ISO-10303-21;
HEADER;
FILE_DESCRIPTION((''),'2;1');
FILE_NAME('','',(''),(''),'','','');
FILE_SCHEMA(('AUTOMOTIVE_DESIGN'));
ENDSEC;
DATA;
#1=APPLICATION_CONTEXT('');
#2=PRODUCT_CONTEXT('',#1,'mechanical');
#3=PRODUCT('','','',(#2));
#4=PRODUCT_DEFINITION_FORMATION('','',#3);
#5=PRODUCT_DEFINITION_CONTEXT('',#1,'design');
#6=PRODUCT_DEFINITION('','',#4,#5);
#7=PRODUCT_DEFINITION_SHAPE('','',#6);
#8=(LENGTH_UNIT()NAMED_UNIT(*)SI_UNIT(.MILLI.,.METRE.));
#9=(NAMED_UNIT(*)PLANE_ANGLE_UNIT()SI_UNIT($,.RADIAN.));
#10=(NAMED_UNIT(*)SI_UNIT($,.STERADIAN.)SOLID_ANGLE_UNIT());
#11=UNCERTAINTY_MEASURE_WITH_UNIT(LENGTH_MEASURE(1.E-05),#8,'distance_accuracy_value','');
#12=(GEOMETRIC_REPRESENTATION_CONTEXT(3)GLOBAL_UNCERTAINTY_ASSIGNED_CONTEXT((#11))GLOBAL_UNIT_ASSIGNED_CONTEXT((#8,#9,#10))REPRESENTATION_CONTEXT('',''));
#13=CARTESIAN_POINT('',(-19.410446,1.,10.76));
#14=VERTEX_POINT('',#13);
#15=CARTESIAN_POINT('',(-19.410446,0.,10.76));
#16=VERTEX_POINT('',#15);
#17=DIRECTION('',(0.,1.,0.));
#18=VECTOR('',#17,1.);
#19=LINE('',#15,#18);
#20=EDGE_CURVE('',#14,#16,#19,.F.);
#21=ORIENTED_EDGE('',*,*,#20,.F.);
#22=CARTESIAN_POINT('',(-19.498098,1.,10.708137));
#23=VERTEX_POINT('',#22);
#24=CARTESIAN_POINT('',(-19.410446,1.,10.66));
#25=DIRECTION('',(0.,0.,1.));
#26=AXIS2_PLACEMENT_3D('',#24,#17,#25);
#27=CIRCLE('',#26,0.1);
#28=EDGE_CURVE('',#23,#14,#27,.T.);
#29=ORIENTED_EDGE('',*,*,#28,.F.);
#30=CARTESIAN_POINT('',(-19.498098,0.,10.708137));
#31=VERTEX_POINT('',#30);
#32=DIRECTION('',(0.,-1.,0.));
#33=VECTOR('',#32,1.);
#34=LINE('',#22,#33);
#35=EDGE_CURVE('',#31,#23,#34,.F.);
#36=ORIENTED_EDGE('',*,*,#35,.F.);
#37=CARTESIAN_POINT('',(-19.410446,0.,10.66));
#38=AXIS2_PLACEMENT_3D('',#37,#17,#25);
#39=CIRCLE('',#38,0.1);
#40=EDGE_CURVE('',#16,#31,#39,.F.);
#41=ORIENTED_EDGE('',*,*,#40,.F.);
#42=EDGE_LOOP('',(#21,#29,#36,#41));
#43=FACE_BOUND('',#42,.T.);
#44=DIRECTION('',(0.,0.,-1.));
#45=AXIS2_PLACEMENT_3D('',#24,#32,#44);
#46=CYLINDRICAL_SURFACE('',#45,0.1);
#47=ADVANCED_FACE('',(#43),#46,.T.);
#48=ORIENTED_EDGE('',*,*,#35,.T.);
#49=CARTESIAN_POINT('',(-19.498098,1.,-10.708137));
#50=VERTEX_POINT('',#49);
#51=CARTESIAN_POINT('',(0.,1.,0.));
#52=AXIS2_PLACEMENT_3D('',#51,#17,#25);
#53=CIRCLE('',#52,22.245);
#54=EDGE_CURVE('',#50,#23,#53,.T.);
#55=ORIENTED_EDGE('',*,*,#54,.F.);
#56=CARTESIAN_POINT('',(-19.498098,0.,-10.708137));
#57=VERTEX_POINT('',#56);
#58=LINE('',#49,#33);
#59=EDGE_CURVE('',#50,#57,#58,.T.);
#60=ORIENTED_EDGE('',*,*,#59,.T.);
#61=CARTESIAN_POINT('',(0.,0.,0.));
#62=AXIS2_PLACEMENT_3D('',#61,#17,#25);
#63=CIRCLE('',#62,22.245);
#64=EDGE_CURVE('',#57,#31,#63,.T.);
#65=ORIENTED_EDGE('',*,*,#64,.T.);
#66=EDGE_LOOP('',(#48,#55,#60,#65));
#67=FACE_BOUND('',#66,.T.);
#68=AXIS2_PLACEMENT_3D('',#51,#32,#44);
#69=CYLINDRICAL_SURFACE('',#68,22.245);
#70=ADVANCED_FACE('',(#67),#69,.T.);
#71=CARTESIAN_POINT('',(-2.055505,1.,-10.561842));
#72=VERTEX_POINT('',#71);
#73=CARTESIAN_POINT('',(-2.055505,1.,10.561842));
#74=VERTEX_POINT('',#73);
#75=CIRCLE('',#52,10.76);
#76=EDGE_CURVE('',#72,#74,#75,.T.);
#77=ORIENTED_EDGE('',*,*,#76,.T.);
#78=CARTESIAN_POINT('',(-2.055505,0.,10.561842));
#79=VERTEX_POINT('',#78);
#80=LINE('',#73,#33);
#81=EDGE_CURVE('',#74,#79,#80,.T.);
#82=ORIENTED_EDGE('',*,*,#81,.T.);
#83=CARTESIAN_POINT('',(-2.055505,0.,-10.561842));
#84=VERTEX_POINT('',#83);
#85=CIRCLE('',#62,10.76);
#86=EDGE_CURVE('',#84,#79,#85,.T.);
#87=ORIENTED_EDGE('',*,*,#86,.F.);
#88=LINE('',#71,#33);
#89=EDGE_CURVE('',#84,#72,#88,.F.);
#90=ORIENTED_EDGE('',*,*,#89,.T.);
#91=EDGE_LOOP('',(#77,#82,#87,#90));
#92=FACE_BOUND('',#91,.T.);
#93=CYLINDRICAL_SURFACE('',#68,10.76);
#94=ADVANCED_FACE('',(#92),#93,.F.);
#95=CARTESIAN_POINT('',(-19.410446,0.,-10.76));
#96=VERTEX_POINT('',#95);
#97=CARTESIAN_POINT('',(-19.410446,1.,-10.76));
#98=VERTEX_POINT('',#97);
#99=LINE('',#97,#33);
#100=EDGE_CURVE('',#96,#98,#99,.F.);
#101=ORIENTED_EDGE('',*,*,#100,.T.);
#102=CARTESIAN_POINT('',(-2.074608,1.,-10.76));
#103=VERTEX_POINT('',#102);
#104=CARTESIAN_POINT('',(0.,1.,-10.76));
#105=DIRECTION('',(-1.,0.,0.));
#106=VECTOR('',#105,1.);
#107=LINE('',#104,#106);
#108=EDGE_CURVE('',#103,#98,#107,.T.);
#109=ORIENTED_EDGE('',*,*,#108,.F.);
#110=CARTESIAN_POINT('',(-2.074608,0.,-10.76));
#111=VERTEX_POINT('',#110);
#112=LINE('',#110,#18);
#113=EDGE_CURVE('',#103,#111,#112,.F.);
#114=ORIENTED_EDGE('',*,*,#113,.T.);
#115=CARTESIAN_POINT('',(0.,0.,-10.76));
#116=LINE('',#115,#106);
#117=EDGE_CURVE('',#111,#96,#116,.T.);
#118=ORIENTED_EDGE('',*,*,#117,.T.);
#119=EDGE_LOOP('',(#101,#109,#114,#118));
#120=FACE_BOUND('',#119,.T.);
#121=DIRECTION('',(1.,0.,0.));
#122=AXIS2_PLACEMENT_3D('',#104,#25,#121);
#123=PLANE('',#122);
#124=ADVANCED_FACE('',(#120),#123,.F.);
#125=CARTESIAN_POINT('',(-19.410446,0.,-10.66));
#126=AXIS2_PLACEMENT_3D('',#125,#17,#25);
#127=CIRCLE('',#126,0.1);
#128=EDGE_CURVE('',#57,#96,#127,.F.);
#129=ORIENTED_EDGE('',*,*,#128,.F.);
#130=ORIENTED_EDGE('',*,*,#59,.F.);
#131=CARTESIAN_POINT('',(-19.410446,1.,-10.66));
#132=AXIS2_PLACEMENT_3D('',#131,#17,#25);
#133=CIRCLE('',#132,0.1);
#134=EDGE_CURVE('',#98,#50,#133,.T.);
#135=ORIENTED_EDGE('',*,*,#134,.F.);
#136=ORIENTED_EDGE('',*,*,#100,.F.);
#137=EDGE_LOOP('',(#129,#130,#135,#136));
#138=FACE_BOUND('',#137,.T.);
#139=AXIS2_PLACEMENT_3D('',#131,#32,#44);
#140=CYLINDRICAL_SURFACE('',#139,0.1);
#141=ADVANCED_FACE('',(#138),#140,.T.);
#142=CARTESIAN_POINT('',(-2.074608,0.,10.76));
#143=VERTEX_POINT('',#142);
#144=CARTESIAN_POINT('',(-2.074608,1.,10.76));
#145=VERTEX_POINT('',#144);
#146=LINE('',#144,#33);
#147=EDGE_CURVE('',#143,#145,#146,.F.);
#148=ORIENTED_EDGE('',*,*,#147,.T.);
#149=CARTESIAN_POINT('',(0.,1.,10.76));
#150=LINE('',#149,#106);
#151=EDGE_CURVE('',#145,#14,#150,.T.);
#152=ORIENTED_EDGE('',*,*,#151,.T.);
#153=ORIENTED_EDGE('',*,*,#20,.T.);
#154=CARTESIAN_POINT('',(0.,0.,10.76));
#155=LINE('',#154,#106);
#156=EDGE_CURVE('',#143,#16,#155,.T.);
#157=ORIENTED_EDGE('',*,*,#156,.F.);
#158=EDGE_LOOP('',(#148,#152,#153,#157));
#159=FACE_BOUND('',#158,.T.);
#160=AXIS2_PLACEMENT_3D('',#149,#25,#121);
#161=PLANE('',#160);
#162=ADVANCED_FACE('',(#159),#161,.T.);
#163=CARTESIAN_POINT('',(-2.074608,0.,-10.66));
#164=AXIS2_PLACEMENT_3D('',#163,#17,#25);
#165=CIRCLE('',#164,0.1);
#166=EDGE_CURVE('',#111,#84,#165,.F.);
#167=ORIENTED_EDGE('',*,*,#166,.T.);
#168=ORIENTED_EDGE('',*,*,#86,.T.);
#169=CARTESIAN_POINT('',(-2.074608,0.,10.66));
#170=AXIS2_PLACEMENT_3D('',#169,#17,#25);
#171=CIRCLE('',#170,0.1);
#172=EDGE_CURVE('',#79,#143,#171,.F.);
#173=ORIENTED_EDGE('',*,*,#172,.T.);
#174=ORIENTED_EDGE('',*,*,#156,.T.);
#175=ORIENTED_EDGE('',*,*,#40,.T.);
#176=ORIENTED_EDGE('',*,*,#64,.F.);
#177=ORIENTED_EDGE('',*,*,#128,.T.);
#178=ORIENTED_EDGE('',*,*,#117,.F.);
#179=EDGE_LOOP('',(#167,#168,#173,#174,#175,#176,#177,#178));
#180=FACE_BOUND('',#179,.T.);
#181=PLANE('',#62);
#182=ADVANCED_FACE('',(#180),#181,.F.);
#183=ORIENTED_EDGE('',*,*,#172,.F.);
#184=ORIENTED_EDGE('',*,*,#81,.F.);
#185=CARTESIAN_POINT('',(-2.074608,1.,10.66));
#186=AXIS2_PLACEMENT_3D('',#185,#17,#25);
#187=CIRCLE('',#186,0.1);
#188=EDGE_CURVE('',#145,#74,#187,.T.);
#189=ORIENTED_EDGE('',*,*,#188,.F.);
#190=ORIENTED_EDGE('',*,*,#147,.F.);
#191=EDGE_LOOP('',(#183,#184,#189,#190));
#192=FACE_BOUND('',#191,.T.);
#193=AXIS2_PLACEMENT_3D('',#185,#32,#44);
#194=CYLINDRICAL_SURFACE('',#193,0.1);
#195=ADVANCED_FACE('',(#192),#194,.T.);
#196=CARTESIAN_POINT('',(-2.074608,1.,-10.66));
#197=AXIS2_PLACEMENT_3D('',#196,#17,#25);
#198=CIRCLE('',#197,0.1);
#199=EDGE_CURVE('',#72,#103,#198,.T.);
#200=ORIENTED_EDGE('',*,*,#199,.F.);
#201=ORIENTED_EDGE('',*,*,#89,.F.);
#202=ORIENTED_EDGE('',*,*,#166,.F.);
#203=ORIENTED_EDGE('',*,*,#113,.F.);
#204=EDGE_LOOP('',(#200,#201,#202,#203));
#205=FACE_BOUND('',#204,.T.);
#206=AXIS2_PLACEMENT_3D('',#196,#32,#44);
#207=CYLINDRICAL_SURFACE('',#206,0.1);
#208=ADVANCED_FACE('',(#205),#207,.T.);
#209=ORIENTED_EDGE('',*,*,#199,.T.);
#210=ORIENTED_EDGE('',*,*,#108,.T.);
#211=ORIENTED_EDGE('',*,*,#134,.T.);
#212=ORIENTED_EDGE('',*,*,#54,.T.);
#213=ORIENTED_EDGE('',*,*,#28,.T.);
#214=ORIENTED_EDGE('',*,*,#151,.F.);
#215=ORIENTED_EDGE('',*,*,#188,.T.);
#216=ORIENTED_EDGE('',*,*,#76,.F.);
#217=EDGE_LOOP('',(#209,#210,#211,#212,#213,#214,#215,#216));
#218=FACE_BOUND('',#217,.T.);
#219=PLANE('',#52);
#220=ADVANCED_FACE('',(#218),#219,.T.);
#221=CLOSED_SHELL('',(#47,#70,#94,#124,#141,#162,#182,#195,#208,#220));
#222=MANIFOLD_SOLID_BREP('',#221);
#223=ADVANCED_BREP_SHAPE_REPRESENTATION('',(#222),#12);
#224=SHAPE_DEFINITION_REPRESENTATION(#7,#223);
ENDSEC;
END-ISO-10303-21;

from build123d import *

# Parameters (mm, degrees)
BOSS_EXTRUDE1_DEPTH = 1
FILLET1_R           = 0.1
FILLET2_R           = 0.1
FILLET3_R           = 0.1
FILLET4_R           = 0.1


with BuildPart() as part:
    # Sketch1 → Boss-Extrude1 (new body)
    with BuildSketch(Plane(origin=(0, 0, 0), x_dir=(1, 0, 0), z_dir=(0, 1, 0))):
        with BuildLine():
            ThreePointArc((0, -10.76), (-10.76, 0), (0, 10.76))
            Line((0, 10.76), (-19.469525546, 10.76))
            ThreePointArc((-19.469525546, 10.76), (-22.245, 0), (-19.469525546, -10.76))
            Line((-19.469525546, -10.76), (0, -10.76))
        make_face()
    extrude(amount=BOSS_EXTRUDE1_DEPTH)

    # Fillet1
    fillet1_edges = [part.edges().sort_by_distance(p)[0] for p in [
        (0, 0.5, 10.76),
    ]]
    fillet(fillet1_edges, radius=FILLET1_R)

    # Fillet2
    fillet2_edges = [part.edges().sort_by_distance(p)[0] for p in [
        (0, 0.5, -10.76),
    ]]
    fillet(fillet2_edges, radius=FILLET2_R)

    # Fillet3
    fillet3_edges = [part.edges().sort_by_distance(p)[0] for p in [
        (-19.469525546, 0.5, 10.76),
    ]]
    fillet(fillet3_edges, radius=FILLET3_R)

    # Fillet4
    fillet4_edges = [part.edges().sort_by_distance(p)[0] for p in [
        (-19.469525546, 0.5, -10.76),
    ]]
    fillet(fillet4_edges, radius=FILLET4_R)


solid = part.part
